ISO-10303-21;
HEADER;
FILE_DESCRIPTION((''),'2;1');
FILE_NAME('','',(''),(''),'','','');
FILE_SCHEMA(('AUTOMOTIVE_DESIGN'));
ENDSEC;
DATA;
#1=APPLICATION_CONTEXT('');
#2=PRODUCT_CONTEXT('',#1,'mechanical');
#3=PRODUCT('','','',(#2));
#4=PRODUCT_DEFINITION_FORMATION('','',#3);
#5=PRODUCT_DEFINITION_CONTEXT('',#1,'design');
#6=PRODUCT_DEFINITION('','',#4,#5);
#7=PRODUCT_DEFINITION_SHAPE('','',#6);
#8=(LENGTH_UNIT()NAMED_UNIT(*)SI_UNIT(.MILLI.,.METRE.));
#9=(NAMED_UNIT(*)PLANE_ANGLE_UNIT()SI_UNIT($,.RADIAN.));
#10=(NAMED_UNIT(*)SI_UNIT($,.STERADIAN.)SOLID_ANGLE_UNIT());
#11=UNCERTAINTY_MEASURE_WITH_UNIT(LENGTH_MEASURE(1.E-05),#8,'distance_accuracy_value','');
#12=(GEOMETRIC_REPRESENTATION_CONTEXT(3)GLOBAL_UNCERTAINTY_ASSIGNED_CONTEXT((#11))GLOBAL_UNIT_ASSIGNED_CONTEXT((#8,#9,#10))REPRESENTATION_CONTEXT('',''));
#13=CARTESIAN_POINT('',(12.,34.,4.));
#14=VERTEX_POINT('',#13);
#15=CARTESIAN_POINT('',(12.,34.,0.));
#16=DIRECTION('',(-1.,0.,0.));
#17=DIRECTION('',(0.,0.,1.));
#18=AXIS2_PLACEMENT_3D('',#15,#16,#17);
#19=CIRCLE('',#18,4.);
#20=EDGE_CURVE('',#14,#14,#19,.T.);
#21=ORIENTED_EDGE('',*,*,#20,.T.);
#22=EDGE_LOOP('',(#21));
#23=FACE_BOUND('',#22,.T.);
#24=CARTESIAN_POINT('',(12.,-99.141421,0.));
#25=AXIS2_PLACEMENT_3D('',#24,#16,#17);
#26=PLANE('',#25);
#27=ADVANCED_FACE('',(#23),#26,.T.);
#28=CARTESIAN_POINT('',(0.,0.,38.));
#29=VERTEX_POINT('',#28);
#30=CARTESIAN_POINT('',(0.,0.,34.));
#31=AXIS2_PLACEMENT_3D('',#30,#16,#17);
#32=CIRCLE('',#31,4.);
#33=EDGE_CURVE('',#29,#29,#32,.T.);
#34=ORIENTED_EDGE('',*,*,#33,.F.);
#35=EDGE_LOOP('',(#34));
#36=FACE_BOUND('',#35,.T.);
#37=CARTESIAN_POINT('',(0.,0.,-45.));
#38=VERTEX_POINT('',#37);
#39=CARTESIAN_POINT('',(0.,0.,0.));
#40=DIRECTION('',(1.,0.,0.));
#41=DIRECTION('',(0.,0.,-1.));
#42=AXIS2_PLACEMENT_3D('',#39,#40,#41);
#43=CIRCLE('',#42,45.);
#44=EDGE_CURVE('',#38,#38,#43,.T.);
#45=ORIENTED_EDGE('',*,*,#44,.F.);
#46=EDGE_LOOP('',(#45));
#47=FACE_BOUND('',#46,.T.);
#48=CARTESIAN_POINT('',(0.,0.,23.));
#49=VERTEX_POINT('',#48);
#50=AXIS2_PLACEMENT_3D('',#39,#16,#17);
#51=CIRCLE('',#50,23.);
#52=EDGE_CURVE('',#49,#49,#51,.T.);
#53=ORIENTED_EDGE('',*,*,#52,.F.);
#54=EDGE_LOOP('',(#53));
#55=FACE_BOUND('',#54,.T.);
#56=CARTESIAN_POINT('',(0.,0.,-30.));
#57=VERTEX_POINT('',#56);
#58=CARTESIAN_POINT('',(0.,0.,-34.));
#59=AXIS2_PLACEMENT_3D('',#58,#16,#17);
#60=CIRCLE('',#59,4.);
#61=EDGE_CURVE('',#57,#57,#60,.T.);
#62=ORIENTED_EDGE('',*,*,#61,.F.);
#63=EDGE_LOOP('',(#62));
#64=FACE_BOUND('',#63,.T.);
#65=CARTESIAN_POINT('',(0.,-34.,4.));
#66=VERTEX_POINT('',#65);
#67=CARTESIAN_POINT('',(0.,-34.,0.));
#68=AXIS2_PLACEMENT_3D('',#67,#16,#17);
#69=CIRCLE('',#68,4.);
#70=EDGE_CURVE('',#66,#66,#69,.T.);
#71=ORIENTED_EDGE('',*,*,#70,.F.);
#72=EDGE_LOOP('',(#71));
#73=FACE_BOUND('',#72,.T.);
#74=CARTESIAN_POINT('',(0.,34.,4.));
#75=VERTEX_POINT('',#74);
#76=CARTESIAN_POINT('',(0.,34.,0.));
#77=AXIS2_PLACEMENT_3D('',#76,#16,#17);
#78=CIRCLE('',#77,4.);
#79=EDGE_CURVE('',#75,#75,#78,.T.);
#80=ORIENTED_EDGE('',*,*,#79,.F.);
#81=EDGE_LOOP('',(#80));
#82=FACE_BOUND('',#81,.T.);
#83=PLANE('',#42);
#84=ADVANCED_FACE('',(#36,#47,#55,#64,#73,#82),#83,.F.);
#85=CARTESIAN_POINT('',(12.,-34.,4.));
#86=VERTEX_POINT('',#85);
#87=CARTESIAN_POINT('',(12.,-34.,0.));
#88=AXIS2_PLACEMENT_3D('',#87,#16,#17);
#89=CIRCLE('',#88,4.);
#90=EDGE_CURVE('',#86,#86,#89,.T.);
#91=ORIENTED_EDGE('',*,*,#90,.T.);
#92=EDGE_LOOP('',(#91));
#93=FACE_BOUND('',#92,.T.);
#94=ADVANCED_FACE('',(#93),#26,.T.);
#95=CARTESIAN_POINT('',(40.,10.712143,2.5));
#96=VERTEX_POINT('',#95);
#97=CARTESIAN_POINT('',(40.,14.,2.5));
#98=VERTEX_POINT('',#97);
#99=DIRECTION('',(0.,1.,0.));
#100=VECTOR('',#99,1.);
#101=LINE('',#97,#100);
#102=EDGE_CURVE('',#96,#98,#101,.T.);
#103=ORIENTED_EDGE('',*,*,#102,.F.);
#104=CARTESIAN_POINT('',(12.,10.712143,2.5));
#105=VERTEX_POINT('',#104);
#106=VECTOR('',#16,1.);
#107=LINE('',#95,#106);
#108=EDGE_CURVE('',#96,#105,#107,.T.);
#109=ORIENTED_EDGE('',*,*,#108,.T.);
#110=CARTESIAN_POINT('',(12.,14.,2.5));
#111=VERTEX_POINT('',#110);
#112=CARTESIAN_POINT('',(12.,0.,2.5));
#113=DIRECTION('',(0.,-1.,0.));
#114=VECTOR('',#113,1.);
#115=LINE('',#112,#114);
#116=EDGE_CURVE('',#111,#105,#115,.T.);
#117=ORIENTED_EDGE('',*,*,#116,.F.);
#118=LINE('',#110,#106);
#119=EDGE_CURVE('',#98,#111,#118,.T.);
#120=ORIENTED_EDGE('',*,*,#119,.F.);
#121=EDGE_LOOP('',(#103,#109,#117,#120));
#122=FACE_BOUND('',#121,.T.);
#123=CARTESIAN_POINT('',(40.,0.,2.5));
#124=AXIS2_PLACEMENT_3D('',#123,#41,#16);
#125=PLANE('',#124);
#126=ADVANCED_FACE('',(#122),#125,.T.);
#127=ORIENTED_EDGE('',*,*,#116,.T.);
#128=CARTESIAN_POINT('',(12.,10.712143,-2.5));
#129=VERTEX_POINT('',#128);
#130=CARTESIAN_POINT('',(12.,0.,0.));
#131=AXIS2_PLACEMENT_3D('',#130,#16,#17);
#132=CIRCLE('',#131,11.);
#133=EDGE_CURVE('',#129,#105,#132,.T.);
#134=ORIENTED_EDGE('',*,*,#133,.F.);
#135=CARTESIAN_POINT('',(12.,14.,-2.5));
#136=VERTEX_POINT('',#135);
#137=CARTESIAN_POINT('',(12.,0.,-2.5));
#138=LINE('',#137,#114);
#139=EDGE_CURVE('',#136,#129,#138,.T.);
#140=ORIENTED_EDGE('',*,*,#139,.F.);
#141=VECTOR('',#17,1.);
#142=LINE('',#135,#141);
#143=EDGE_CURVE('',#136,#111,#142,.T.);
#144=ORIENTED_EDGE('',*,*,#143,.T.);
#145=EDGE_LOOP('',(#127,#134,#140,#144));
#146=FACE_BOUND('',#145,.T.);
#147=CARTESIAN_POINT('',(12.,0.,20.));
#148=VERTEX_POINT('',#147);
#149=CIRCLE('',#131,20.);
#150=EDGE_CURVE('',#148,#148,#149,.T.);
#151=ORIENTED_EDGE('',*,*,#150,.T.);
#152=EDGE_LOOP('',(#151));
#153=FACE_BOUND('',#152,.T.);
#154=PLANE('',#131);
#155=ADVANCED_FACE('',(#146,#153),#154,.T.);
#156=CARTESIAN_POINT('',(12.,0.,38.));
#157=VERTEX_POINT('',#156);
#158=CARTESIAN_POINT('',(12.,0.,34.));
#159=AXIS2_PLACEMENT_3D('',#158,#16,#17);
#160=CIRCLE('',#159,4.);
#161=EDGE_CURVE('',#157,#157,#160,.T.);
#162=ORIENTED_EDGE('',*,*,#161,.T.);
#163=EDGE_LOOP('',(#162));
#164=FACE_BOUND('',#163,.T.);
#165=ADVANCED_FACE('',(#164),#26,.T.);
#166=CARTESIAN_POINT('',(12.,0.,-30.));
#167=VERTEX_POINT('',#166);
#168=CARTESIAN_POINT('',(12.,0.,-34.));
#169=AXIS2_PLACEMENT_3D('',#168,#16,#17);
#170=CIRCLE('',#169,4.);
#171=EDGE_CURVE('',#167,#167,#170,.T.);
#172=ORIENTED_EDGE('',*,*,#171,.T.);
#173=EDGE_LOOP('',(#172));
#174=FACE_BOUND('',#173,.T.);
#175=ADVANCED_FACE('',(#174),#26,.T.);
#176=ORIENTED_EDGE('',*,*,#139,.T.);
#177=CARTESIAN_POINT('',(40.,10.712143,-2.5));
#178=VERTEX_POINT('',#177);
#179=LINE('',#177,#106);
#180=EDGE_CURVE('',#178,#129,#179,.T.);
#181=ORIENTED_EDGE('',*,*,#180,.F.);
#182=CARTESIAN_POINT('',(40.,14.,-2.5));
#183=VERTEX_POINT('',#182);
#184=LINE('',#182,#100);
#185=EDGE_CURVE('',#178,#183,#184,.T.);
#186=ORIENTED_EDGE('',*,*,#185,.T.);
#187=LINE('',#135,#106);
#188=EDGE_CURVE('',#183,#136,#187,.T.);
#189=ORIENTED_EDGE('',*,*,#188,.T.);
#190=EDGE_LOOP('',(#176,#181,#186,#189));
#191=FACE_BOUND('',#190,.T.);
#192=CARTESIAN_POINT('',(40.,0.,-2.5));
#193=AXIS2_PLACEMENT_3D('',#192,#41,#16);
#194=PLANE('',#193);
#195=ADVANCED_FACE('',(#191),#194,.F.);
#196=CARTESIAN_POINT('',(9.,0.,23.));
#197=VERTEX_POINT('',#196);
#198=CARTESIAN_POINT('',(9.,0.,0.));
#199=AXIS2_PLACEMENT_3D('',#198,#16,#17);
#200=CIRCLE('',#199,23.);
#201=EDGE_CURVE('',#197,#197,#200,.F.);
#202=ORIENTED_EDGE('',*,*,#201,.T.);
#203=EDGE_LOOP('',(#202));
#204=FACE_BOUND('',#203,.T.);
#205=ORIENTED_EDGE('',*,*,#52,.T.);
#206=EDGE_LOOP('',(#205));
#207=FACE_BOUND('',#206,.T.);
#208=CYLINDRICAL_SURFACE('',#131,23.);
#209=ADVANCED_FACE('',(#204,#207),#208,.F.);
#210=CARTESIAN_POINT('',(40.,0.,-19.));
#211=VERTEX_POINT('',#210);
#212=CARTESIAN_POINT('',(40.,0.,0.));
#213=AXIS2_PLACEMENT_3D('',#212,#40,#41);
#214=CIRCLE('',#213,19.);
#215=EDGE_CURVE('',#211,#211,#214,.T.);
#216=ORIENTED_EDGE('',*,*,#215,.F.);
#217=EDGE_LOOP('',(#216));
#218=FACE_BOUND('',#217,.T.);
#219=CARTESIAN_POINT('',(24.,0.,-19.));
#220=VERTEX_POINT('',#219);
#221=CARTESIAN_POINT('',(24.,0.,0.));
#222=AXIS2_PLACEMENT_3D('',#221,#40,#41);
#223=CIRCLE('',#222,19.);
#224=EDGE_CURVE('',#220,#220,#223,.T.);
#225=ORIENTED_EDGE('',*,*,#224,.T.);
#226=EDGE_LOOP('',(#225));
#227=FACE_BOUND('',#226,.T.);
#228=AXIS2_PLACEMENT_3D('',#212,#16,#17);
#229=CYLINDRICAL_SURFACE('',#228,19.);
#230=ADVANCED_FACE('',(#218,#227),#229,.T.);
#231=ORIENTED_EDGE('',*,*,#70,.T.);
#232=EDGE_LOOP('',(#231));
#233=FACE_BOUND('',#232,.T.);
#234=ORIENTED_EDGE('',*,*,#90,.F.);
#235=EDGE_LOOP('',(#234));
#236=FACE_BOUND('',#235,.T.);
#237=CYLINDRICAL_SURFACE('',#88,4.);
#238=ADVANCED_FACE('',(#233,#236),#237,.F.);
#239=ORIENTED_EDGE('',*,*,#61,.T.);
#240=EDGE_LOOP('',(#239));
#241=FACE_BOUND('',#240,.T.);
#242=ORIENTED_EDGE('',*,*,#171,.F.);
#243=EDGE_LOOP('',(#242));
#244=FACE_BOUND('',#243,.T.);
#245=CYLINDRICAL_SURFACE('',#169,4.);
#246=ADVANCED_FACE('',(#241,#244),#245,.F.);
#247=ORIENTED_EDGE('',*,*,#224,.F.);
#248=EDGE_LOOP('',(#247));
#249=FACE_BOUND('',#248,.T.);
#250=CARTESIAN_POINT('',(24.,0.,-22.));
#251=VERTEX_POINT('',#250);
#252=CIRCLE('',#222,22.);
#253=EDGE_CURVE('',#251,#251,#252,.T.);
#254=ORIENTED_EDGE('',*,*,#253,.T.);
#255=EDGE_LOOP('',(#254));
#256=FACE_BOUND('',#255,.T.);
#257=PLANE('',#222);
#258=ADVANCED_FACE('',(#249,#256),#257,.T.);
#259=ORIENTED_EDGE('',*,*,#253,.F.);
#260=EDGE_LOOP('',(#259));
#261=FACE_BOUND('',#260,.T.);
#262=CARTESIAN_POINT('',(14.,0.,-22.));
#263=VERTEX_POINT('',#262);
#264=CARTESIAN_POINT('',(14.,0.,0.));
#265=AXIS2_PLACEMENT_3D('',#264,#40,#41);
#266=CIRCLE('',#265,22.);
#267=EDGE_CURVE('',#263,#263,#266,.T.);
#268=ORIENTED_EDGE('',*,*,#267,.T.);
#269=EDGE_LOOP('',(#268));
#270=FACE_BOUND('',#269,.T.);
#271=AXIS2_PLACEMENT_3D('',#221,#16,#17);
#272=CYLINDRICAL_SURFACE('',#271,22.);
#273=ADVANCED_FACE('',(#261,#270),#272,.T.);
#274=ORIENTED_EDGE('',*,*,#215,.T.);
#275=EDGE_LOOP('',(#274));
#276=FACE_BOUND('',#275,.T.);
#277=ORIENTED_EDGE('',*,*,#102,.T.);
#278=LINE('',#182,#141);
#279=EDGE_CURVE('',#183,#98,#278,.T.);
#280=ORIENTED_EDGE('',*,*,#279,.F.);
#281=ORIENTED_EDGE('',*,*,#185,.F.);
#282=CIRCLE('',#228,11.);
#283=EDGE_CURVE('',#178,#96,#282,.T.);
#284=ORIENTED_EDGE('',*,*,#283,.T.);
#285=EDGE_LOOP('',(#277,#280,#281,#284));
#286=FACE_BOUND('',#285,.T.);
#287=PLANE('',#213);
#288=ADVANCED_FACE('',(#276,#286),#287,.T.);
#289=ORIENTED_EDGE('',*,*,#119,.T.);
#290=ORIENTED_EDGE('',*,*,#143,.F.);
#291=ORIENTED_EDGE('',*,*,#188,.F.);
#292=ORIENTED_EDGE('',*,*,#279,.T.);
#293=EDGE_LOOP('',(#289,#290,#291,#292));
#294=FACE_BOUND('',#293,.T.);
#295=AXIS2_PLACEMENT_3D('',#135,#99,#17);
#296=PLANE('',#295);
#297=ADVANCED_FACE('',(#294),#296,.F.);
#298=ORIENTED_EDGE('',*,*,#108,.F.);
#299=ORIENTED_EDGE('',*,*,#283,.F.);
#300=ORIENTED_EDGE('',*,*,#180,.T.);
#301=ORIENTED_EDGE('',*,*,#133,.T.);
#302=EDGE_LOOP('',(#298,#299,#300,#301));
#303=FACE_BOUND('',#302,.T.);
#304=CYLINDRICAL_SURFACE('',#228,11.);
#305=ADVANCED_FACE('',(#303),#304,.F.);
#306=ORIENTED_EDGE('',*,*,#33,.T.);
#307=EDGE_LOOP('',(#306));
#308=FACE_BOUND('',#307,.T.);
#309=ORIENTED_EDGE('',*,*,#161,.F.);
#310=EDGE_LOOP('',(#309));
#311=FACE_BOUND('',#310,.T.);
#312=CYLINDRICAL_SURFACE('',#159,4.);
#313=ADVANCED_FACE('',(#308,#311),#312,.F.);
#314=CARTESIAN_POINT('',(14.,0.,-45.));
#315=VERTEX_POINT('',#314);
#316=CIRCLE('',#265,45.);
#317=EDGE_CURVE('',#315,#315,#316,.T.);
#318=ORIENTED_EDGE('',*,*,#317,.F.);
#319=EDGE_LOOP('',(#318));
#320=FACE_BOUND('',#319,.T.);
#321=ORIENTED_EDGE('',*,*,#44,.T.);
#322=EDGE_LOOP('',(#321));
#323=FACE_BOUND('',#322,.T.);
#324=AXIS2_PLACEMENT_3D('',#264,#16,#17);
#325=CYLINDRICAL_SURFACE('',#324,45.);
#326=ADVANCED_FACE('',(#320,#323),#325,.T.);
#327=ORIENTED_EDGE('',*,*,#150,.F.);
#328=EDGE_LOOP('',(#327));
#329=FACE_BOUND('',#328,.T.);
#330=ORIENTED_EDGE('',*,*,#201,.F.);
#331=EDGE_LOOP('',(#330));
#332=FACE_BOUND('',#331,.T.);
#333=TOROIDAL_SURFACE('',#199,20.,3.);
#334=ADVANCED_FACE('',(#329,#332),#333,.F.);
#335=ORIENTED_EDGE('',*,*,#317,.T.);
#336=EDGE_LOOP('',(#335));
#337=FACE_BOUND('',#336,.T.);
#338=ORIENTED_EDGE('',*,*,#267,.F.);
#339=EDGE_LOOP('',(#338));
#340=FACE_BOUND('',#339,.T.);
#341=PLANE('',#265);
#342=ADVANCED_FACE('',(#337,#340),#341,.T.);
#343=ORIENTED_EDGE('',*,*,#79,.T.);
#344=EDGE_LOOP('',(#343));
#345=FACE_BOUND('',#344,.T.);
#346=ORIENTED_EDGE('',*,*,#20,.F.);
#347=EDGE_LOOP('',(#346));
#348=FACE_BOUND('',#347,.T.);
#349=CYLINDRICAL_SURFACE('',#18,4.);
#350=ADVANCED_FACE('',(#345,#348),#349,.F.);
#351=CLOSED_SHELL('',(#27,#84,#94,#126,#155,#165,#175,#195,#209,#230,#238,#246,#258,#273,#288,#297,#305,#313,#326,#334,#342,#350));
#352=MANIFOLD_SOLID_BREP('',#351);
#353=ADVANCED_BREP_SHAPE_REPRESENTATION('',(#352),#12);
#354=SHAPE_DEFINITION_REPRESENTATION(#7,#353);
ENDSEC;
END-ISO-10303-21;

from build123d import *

# Parameters (mm, degrees)
SKETCH_1_R          = 45
EXTRUDE_1_DEPTH     = 14
SKETCH_2_R          = 22
EXTRUDE_2_DEPTH     = 10
SKETCH_3_R          = 19
EXTRUDE_3_DEPTH     = 16
SKETCH_4_R          = 23
CUT_EXTRUDE_1_DEPTH = 12
SKETCH_5_R          = 11
CUT_EXTRUDE_2_DEPTH = 29
SKETCH_6_W          = 28
SKETCH_6_H          = 14
CUT_EXTRUDE_3_DEPTH = 2.5
SKETCH_7_R          = 4
CUT_EXTRUDE_4_DEPTH = 12
FILLET_1_R          = 3


with BuildPart() as part:
    # 草图1 → 凸台-拉伸1 (new body)
    with BuildSketch(Plane(origin=(0, 0, 0), x_dir=(0, 0, -1), z_dir=(1, 0, 0))):
        Circle(SKETCH_1_R)
    extrude(amount=EXTRUDE_1_DEPTH)

    # 草图2 → 凸台-拉伸2 (add)
    with BuildSketch(Plane(origin=(14, 0, 0), x_dir=(0, 0, -1), z_dir=(1, 0, 0))):
        Circle(SKETCH_2_R)
    extrude(amount=EXTRUDE_2_DEPTH)

    # 草图3 → 凸台-拉伸3 (add)
    with BuildSketch(Plane(origin=(24, 0, 0), x_dir=(0, 0, -1), z_dir=(1, 0, 0))):
        Circle(SKETCH_3_R)
    extrude(amount=EXTRUDE_3_DEPTH)

    # 草图4 → 切除-拉伸1 (cut)
    with BuildSketch(Plane.ZY):
        Circle(SKETCH_4_R)
    extrude(amount=-CUT_EXTRUDE_1_DEPTH, mode=Mode.SUBTRACT)

    # 草图5 → 切除-拉伸2 (cut, through all)
    with BuildSketch(Plane.ZY.offset(-12)):
        Circle(SKETCH_5_R)
    extrude(amount=-CUT_EXTRUDE_2_DEPTH, mode=Mode.SUBTRACT)

    # 草图6 → 切除-拉伸3 (cut, symmetric)
    with BuildSketch(Plane.XY):
        with Locations((26, 7)):
            Rectangle(SKETCH_6_W, SKETCH_6_H)
    extrude(amount=CUT_EXTRUDE_3_DEPTH, both=True, mode=Mode.SUBTRACT)

    # 草图7 → 切除-拉伸4 (cut)
    with BuildSketch(Plane.ZY):
        with Locations((0, 34)):
            Circle(SKETCH_7_R)
        with Locations((34, 0)):
            Circle(SKETCH_7_R)
        with Locations((0, -34)):
            Circle(SKETCH_7_R)
        with BuildLine():
            ThreePointArc((-38, 0), (-34, -4), (-30, 0))
            Line((-30, 0), (-38, 0))
        make_face()
        with BuildLine():
            Line((-38, 0), (-30, 0))
            ThreePointArc((-30, 0), (-34, 4), (-38, 0))
        make_face()
    extrude(amount=-CUT_EXTRUDE_4_DEPTH, mode=Mode.SUBTRACT)

    # 圆角1
    fillet_1_edges = [part.edges().sort_by_distance(p)[0] for p in [
        (12, 0, -23),
    ]]
    fillet(fillet_1_edges, radius=FILLET_1_R)


solid = part.part
